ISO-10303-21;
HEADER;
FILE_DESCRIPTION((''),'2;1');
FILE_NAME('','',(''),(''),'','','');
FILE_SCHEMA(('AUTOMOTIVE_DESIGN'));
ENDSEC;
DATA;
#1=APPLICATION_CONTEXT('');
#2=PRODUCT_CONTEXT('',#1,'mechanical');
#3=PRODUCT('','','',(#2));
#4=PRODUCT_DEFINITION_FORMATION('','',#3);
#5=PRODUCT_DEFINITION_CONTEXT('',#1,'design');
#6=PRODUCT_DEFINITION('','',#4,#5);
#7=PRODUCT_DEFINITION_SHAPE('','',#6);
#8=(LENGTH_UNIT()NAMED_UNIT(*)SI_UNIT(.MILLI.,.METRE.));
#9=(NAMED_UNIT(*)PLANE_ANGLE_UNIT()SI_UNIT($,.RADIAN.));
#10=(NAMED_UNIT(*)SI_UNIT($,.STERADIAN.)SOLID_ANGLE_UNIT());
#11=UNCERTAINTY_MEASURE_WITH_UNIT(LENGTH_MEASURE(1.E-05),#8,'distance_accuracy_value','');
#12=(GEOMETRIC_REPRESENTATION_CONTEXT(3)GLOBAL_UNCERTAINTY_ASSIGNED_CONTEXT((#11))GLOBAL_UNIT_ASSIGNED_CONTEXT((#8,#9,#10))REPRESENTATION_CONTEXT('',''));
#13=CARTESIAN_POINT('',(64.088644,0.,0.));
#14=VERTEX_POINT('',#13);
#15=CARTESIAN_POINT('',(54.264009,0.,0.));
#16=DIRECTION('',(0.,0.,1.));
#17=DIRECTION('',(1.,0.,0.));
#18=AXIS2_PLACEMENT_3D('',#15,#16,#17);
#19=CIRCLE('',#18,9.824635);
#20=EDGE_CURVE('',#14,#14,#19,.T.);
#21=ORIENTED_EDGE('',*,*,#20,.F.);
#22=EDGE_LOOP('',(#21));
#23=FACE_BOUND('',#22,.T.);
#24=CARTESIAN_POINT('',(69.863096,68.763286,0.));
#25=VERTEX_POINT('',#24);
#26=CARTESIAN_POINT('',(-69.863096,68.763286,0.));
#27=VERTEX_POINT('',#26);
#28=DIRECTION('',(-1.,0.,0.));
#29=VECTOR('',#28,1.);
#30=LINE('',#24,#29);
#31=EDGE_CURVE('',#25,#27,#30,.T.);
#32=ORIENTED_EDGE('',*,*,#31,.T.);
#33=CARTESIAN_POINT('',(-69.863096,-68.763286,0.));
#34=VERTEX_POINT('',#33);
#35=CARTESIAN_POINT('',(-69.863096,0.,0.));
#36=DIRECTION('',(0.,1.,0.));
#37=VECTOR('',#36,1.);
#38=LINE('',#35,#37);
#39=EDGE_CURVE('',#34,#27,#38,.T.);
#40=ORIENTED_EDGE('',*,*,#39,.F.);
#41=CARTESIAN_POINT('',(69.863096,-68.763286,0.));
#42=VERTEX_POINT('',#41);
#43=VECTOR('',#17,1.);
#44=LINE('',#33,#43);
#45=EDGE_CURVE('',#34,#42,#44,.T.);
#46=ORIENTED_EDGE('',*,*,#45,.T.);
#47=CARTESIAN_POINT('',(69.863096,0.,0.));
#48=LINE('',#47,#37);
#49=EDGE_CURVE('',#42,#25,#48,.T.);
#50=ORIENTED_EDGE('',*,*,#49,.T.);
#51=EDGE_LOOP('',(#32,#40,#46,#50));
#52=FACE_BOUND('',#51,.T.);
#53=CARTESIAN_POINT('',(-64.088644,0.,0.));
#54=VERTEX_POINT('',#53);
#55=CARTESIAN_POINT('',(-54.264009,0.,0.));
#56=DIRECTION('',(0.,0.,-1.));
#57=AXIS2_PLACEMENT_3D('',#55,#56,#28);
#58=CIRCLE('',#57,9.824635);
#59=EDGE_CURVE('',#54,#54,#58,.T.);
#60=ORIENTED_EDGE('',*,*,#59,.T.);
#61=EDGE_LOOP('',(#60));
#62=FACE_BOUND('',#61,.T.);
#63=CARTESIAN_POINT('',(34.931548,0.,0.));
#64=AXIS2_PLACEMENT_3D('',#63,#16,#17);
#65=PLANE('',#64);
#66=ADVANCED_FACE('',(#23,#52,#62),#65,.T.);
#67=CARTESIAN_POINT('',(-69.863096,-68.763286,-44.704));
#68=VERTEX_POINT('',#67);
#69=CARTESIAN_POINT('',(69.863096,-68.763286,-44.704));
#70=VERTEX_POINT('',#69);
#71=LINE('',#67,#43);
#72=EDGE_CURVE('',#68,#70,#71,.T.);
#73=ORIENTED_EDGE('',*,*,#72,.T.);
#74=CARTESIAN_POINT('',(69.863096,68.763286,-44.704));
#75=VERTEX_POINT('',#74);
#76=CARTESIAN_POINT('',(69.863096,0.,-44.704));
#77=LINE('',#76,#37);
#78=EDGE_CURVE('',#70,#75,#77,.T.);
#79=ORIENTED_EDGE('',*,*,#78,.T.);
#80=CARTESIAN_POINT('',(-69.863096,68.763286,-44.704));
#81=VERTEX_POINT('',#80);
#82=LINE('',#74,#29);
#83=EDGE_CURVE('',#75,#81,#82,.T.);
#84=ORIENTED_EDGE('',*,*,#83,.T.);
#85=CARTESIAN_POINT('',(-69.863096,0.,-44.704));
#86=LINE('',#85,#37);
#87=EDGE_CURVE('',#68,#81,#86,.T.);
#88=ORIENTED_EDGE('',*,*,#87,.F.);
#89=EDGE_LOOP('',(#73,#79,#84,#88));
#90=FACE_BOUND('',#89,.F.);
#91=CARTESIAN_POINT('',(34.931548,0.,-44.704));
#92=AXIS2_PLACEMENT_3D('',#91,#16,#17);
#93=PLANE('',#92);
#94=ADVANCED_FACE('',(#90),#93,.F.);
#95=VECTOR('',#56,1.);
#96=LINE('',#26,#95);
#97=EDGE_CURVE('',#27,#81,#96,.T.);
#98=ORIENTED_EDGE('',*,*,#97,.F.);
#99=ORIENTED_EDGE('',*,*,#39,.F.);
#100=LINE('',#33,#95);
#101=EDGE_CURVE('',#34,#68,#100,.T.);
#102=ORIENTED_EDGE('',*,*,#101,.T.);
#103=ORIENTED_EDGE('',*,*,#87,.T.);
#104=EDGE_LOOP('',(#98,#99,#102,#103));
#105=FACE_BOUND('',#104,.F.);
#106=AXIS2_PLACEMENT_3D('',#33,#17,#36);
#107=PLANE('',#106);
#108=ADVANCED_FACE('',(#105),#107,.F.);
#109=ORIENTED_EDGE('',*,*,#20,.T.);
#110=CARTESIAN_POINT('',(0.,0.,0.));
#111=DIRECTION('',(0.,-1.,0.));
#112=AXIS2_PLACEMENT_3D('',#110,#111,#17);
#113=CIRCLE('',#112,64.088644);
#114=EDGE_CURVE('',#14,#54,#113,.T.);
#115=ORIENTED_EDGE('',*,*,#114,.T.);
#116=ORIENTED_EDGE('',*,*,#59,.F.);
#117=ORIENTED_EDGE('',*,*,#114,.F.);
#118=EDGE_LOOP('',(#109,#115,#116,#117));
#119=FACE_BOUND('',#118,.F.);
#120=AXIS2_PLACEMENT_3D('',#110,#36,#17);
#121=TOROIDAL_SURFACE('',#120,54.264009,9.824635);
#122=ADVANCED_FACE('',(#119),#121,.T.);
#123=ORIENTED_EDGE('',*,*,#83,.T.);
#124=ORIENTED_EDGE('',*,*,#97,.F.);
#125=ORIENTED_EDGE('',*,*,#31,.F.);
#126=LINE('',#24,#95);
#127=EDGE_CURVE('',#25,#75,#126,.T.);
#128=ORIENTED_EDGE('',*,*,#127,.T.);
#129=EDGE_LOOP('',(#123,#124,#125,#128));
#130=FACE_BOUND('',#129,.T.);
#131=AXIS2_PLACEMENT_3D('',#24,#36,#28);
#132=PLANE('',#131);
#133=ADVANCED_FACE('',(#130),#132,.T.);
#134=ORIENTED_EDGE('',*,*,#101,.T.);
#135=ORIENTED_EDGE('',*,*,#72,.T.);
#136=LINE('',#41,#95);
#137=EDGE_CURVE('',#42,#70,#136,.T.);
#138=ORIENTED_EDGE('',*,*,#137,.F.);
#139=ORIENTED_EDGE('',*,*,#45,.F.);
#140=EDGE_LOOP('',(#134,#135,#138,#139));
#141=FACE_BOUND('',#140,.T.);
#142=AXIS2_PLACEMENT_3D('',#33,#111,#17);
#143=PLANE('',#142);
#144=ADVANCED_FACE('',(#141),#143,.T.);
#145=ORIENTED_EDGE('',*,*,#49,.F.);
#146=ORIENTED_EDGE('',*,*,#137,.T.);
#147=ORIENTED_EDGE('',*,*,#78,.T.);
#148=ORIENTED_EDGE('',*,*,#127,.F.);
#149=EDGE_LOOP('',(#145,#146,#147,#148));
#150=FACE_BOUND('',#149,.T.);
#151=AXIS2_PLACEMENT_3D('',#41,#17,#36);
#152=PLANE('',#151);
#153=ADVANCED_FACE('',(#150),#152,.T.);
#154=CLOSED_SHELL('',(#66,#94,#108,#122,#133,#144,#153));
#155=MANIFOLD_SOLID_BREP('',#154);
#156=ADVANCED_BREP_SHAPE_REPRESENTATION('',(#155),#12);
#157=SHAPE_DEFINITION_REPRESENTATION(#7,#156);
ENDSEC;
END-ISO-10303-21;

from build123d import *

# Parameters (mm, degrees)
F0_W     = 69.863096
F0_H     = 137.526572
F2_DEPTH = 44.704
F1_R     = 9.824635
F3_ANGLE = 180


with BuildPart() as f2:
    # F0 (on Top) → F2 (new body)
    with BuildSketch(Plane.XY):
        with Locations((34.931548, 0)):
            Rectangle(F0_W, F0_H)
        with Locations((-34.931548, 0)):
            Rectangle(F0_W, F0_H)
    extrude(amount=-F2_DEPTH)

    # F1 (on Top) → F3 (revolve)
    with BuildSketch(Plane.XY):
        with Locations((54.264009, 0)):
            Circle(F1_R)
    revolve(axis=Axis((0, 0, 0), (0, -1, 0)), revolution_arc=F3_ANGLE)


solid = f2.part
